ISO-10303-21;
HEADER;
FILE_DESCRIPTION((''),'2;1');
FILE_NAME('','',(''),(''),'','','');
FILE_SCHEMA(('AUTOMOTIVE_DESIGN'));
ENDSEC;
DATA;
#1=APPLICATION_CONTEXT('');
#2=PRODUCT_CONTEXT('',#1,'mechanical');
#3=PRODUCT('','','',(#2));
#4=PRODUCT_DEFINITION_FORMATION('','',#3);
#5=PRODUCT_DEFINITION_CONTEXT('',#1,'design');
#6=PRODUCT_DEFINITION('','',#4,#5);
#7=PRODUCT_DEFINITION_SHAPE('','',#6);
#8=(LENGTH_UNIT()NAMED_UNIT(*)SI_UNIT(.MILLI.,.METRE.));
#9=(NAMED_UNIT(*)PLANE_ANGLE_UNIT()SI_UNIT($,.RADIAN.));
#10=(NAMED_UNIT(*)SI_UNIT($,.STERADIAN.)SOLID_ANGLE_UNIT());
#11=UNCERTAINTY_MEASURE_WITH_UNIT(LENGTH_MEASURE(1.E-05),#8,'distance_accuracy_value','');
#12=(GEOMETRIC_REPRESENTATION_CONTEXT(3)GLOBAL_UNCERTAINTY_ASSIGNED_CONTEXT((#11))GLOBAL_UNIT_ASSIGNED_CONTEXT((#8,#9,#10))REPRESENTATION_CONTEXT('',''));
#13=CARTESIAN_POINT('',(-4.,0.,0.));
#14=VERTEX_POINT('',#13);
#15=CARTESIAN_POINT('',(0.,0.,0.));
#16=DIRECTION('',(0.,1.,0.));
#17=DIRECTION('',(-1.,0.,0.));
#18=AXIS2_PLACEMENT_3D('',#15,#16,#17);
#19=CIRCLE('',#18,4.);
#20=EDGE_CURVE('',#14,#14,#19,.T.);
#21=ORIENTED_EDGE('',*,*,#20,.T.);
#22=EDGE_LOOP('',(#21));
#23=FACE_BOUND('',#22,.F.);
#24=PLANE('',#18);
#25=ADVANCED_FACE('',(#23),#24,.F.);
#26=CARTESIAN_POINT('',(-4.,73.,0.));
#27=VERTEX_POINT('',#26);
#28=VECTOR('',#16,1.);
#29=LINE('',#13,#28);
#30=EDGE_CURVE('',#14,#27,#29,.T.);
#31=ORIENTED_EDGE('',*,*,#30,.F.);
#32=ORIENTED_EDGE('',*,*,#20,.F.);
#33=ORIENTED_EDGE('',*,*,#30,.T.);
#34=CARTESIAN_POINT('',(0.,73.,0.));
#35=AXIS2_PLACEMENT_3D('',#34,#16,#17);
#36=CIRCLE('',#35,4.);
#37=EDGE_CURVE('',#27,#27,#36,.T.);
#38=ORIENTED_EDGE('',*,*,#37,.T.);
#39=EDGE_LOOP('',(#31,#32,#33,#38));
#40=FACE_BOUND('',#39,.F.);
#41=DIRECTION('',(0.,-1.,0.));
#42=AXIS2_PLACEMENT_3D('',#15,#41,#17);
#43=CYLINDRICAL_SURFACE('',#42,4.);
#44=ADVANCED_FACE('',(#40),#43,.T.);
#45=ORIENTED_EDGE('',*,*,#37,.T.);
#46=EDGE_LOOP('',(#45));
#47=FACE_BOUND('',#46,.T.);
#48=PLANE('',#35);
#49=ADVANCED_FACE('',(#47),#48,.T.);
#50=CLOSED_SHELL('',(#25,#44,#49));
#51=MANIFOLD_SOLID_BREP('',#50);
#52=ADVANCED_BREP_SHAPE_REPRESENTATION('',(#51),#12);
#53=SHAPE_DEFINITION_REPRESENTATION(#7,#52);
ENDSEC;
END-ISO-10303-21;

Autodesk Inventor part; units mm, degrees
ref_plane "YZ Plane" through (0, 0, 0) normal (1, 0, 0) x (0, 1, 0)
ref_plane "XZ Plane" through (0, 0, 0) normal (0, 1, 0) x (-1, 0, 0)
ref_plane "XY Plane" through (0, 0, 0) normal (0, 0, 1) x (1, 0, 0)
sketch "Sketch1" plane through (0, 0, 0) normal (0, 1, 0) x (-1, 0, 0)
  circle A0 centre (0, 0) radius 4
  dimension "d0" = 8
extrude "Extrusion1" add sketch "Sketch1" along normal blind 73
properties part number "DriveShaft"
